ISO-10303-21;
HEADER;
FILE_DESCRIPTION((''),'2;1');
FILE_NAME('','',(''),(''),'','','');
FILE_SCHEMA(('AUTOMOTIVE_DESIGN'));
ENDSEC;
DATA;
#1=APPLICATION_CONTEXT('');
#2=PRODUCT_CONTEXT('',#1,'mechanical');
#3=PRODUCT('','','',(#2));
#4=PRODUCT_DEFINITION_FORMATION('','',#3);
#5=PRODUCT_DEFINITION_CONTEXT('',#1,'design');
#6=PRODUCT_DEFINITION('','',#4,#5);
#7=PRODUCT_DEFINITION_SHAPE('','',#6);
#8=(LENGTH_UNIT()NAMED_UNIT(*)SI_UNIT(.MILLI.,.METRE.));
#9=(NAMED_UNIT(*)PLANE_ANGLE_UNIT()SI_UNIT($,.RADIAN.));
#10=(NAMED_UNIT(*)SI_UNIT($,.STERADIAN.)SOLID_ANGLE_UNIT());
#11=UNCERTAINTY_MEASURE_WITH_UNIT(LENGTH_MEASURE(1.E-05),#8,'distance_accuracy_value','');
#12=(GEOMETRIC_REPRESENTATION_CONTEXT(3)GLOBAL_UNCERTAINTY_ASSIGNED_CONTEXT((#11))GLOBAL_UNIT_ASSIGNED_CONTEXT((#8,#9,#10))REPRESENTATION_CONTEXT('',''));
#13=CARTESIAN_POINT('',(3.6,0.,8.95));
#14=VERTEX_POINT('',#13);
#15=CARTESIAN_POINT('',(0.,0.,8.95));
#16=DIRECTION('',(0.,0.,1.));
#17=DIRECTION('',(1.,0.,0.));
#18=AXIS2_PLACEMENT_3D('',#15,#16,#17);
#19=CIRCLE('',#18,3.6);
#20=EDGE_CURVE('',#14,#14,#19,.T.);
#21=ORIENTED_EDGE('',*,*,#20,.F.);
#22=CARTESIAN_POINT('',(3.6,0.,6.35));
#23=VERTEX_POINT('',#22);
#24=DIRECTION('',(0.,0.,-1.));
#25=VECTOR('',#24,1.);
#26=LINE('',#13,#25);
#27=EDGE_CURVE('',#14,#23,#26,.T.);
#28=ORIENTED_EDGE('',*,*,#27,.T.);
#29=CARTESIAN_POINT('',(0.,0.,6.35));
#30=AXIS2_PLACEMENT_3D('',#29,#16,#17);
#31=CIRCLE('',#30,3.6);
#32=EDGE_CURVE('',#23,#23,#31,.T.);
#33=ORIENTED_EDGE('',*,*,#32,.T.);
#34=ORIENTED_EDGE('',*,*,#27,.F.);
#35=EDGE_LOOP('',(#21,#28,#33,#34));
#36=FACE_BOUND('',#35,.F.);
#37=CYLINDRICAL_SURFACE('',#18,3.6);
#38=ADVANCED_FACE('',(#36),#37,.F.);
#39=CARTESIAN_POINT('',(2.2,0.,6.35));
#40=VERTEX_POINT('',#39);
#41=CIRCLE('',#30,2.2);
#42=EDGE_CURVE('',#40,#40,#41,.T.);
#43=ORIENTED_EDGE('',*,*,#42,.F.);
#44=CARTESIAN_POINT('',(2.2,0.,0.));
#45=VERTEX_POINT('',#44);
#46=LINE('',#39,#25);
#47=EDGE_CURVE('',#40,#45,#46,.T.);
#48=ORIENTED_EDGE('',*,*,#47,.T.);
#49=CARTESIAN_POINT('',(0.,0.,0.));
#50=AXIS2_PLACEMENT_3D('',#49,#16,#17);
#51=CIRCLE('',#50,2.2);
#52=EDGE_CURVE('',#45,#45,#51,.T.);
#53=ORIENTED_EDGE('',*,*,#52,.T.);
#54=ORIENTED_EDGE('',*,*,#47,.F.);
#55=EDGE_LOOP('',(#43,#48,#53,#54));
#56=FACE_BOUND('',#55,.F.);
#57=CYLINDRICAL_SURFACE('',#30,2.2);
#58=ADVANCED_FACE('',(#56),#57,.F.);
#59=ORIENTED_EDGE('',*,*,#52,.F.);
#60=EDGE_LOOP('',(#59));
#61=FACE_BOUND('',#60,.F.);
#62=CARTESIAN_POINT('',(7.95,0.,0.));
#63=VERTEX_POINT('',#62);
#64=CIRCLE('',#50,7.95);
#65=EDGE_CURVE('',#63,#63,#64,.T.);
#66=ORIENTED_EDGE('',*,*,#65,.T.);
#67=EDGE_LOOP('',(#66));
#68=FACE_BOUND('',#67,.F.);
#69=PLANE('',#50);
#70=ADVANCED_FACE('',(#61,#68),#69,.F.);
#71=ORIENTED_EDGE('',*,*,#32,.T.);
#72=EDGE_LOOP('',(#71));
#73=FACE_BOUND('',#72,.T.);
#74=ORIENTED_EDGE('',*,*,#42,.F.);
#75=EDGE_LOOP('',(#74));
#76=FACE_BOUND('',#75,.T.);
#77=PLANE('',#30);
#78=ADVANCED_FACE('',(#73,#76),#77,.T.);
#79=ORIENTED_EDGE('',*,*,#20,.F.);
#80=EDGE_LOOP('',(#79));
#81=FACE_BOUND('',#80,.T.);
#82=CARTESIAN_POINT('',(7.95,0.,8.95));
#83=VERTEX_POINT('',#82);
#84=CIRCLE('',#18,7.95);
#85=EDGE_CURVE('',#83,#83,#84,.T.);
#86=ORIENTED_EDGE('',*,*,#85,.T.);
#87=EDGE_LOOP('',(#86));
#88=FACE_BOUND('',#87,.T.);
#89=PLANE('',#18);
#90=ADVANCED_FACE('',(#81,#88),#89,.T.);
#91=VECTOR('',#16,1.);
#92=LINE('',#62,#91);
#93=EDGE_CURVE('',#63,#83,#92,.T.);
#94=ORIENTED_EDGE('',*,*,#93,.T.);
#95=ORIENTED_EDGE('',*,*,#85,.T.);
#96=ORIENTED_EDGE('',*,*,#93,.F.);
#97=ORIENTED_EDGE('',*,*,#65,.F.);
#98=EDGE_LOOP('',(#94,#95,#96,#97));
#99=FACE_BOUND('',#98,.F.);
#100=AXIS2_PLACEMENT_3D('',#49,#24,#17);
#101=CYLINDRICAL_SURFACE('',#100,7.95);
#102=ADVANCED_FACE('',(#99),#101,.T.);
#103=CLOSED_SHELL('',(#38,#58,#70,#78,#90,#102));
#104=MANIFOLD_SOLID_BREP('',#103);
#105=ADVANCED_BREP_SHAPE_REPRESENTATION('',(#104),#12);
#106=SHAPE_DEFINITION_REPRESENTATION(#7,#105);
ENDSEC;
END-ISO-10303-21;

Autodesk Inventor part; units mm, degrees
ref_plane "YZ Plane" through (0, 0, 0) normal (1, 0, 0) x (0, 1, 0)
ref_plane "XZ Plane" through (0, 0, 0) normal (0, 1, 0) x (-1, 0, 0)
ref_plane "XY Plane" through (0, 0, 0) normal (0, 0, 1) x (1, 0, 0)
sketch "Sketch1" plane through (0, 0, 0) normal (0, 0, 1) x (1, 0, 0)
  circle A0 centre (0, 0) radius 7.95
  dimension "d0" = 15.9
extrude "Extrusion1" add sketch "Sketch1" along normal blind 8.95
sketch "Sketch2" plane through (0, 0, 8.95) normal (0, 0, 1) x (1, 0, 0)
  circle A0 centre (0, 0) radius 3.6
  dimension "d3" = 7.2
extrude "Extrusion2" cut sketch "Sketch2" against normal blind 2.6
sketch "Sketch3" plane through (0, 0, 6.35) normal (0, 0, 1) x (1, 0, 0)
  circle A0 centre (0, 0) radius 2.2
  dimension "d6" = 4.4
extrude "Extrusion3" cut sketch "Sketch3" against normal up to next
properties part number "E3Dv6Spacer"
